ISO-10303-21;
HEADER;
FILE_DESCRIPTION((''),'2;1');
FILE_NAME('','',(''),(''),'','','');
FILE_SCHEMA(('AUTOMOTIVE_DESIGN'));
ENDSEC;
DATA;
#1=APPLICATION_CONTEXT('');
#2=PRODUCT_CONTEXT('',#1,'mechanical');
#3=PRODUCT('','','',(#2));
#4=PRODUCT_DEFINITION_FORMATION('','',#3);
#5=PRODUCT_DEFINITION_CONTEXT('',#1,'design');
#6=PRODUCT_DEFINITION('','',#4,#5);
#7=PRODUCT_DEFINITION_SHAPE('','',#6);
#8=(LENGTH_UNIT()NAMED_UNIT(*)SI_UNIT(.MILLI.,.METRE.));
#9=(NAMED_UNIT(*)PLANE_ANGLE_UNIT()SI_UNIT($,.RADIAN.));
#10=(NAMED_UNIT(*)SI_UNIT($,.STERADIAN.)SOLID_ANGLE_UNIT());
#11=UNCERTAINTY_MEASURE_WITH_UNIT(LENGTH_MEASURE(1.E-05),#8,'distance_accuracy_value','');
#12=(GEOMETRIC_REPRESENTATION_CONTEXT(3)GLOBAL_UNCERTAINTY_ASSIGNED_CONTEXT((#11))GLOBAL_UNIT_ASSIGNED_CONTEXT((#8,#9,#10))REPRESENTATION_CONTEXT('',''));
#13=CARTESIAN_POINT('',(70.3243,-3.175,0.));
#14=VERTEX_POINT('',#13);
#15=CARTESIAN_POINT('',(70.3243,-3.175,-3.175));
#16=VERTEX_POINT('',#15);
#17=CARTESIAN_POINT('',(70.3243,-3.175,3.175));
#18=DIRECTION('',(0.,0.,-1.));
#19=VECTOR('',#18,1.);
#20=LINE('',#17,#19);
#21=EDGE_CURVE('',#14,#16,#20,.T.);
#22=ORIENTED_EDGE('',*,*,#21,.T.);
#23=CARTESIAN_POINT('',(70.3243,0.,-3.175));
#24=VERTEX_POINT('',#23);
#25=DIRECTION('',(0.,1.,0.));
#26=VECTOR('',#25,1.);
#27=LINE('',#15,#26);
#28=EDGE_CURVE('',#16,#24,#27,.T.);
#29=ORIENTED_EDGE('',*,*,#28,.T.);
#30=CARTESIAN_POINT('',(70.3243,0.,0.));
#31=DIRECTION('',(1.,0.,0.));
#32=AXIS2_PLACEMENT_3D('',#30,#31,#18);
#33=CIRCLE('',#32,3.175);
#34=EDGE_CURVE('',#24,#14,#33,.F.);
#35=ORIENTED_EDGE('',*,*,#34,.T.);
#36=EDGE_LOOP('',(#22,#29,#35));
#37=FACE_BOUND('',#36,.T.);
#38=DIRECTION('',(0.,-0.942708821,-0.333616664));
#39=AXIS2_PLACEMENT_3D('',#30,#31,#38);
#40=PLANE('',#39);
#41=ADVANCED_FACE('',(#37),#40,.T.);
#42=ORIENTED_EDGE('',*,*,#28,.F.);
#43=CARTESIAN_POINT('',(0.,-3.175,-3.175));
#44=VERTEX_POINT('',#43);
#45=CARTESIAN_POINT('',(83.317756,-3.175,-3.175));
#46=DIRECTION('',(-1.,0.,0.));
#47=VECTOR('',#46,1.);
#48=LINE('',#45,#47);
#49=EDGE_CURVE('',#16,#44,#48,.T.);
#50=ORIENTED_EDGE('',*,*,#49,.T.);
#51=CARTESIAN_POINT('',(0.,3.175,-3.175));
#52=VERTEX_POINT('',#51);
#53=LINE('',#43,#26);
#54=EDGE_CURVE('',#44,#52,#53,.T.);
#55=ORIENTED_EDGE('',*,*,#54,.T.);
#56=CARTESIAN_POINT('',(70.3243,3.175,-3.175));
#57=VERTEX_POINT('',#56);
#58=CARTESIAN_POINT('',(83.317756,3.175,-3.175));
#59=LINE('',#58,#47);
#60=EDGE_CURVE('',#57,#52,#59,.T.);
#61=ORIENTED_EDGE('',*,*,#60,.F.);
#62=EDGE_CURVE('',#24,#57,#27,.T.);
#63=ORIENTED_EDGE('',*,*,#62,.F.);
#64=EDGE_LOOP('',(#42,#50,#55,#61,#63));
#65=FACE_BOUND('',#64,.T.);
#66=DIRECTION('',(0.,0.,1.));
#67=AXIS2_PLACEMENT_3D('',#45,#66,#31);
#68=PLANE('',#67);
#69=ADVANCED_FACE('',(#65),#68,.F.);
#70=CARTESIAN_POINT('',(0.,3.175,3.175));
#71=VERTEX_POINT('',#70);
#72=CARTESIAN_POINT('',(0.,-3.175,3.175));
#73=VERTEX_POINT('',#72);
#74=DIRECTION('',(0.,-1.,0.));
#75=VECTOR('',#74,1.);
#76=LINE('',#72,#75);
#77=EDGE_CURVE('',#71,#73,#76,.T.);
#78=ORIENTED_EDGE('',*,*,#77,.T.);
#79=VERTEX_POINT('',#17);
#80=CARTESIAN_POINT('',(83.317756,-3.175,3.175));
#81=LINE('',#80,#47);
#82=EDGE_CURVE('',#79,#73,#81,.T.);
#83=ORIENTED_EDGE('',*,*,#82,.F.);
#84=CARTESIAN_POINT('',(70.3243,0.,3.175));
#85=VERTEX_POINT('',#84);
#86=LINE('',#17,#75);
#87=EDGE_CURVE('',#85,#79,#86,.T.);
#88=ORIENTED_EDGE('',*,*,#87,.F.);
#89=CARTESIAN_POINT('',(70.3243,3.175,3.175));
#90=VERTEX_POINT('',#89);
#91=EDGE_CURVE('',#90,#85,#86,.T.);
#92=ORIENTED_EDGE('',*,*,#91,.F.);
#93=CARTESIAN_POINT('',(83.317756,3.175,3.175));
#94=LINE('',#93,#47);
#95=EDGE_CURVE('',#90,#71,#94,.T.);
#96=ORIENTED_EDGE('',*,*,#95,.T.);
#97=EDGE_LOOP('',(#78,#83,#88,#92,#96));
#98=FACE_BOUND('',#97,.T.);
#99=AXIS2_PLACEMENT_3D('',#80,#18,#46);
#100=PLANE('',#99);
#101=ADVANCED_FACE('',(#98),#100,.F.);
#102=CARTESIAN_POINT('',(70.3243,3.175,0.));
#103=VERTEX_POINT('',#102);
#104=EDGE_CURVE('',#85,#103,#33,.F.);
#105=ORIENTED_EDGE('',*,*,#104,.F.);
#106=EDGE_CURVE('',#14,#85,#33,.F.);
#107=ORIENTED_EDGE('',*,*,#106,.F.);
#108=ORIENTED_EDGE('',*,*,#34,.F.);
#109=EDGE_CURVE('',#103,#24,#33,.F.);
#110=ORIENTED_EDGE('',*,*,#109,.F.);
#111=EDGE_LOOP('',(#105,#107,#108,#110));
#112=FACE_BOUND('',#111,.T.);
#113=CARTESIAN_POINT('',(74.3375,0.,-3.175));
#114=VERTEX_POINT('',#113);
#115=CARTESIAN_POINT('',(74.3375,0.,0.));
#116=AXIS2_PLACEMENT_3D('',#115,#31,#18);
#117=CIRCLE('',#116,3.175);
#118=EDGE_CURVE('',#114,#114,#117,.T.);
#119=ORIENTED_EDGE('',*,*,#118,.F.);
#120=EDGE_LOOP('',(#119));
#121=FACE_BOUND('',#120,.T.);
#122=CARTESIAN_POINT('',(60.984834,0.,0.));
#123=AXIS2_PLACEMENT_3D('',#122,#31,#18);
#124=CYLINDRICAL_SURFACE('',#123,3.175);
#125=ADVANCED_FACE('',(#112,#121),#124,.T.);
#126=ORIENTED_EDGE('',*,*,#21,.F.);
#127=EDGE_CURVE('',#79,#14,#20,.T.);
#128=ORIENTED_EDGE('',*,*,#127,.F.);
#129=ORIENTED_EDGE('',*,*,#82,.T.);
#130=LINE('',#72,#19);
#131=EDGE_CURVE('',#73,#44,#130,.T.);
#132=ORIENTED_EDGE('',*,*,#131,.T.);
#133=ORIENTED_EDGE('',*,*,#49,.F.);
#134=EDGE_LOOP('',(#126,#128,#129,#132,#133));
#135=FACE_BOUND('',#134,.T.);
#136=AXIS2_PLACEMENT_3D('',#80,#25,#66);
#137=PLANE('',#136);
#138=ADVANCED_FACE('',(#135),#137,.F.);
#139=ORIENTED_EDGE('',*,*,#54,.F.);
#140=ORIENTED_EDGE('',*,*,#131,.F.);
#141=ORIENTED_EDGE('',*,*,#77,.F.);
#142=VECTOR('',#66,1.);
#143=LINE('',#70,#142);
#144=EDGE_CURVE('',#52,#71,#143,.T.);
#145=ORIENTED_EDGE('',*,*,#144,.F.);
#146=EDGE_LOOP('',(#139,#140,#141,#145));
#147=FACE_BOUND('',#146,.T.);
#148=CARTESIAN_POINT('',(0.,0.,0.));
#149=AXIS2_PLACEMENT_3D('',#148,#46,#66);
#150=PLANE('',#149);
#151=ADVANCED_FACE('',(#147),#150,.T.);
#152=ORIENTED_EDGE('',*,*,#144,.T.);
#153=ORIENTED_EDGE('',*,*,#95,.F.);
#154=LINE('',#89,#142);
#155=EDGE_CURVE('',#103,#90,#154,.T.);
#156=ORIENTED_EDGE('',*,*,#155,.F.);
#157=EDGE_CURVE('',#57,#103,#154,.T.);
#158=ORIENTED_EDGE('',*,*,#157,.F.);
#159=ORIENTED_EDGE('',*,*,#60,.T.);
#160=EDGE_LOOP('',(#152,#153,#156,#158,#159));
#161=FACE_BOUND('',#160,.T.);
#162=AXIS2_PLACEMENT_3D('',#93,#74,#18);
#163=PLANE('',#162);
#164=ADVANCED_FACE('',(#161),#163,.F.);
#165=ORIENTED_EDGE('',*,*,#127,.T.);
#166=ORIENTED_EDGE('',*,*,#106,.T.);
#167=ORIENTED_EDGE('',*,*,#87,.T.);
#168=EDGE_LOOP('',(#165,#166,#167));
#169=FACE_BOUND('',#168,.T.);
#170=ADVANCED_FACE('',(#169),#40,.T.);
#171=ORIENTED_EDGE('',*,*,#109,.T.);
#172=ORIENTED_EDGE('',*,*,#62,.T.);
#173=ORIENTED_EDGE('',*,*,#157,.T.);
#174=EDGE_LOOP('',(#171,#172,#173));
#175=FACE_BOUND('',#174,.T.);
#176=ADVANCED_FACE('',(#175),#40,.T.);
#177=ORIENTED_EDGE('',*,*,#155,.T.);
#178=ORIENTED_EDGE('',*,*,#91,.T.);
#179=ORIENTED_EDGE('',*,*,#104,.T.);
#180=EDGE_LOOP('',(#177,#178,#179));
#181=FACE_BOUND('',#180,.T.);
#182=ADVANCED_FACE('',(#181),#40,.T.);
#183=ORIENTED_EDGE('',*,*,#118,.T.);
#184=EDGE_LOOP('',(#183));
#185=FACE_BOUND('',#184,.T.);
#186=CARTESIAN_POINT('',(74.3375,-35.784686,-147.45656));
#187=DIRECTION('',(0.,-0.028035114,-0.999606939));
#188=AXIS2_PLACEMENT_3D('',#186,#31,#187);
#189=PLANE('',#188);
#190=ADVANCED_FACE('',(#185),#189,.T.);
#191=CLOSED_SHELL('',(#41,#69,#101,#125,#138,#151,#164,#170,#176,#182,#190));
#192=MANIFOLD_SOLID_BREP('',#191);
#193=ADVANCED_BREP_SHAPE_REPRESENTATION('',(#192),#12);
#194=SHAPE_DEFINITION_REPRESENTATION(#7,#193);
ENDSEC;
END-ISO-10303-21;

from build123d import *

# Parameters (mm, degrees)
SKETCH1_W           = 6.35
SKETCH1_H           = 6.35
BOSS_EXTRUDE1_DEPTH = 74.3375
CUT_EXTRUDE1_START  = -4.0132
SKETCH2_W           = 6.604
SKETCH2_H           = 6.604
SKETCH2_R           = 3.175
CUT_EXTRUDE1_DEPTH  = 4.0132


with BuildPart() as part:
    # Sketch1 → Boss-Extrude1 (new body)
    with BuildSketch(Plane(origin=(0, 0, 0), x_dir=(0, 0, -1), z_dir=(1, 0, 0))):
        Rectangle(SKETCH1_W, SKETCH1_H)
    extrude(amount=BOSS_EXTRUDE1_DEPTH)

    # Sketch2 → Cut-Extrude1 (cut)
    with BuildSketch(Plane(origin=(74.3375, 0, 0), x_dir=(0, 0, -1), z_dir=(1, 0, 0)).offset(CUT_EXTRUDE1_START)):
        Rectangle(SKETCH2_W, SKETCH2_H)
        Circle(SKETCH2_R, mode=Mode.SUBTRACT)
    extrude(amount=CUT_EXTRUDE1_DEPTH, mode=Mode.SUBTRACT)


solid = part.part
